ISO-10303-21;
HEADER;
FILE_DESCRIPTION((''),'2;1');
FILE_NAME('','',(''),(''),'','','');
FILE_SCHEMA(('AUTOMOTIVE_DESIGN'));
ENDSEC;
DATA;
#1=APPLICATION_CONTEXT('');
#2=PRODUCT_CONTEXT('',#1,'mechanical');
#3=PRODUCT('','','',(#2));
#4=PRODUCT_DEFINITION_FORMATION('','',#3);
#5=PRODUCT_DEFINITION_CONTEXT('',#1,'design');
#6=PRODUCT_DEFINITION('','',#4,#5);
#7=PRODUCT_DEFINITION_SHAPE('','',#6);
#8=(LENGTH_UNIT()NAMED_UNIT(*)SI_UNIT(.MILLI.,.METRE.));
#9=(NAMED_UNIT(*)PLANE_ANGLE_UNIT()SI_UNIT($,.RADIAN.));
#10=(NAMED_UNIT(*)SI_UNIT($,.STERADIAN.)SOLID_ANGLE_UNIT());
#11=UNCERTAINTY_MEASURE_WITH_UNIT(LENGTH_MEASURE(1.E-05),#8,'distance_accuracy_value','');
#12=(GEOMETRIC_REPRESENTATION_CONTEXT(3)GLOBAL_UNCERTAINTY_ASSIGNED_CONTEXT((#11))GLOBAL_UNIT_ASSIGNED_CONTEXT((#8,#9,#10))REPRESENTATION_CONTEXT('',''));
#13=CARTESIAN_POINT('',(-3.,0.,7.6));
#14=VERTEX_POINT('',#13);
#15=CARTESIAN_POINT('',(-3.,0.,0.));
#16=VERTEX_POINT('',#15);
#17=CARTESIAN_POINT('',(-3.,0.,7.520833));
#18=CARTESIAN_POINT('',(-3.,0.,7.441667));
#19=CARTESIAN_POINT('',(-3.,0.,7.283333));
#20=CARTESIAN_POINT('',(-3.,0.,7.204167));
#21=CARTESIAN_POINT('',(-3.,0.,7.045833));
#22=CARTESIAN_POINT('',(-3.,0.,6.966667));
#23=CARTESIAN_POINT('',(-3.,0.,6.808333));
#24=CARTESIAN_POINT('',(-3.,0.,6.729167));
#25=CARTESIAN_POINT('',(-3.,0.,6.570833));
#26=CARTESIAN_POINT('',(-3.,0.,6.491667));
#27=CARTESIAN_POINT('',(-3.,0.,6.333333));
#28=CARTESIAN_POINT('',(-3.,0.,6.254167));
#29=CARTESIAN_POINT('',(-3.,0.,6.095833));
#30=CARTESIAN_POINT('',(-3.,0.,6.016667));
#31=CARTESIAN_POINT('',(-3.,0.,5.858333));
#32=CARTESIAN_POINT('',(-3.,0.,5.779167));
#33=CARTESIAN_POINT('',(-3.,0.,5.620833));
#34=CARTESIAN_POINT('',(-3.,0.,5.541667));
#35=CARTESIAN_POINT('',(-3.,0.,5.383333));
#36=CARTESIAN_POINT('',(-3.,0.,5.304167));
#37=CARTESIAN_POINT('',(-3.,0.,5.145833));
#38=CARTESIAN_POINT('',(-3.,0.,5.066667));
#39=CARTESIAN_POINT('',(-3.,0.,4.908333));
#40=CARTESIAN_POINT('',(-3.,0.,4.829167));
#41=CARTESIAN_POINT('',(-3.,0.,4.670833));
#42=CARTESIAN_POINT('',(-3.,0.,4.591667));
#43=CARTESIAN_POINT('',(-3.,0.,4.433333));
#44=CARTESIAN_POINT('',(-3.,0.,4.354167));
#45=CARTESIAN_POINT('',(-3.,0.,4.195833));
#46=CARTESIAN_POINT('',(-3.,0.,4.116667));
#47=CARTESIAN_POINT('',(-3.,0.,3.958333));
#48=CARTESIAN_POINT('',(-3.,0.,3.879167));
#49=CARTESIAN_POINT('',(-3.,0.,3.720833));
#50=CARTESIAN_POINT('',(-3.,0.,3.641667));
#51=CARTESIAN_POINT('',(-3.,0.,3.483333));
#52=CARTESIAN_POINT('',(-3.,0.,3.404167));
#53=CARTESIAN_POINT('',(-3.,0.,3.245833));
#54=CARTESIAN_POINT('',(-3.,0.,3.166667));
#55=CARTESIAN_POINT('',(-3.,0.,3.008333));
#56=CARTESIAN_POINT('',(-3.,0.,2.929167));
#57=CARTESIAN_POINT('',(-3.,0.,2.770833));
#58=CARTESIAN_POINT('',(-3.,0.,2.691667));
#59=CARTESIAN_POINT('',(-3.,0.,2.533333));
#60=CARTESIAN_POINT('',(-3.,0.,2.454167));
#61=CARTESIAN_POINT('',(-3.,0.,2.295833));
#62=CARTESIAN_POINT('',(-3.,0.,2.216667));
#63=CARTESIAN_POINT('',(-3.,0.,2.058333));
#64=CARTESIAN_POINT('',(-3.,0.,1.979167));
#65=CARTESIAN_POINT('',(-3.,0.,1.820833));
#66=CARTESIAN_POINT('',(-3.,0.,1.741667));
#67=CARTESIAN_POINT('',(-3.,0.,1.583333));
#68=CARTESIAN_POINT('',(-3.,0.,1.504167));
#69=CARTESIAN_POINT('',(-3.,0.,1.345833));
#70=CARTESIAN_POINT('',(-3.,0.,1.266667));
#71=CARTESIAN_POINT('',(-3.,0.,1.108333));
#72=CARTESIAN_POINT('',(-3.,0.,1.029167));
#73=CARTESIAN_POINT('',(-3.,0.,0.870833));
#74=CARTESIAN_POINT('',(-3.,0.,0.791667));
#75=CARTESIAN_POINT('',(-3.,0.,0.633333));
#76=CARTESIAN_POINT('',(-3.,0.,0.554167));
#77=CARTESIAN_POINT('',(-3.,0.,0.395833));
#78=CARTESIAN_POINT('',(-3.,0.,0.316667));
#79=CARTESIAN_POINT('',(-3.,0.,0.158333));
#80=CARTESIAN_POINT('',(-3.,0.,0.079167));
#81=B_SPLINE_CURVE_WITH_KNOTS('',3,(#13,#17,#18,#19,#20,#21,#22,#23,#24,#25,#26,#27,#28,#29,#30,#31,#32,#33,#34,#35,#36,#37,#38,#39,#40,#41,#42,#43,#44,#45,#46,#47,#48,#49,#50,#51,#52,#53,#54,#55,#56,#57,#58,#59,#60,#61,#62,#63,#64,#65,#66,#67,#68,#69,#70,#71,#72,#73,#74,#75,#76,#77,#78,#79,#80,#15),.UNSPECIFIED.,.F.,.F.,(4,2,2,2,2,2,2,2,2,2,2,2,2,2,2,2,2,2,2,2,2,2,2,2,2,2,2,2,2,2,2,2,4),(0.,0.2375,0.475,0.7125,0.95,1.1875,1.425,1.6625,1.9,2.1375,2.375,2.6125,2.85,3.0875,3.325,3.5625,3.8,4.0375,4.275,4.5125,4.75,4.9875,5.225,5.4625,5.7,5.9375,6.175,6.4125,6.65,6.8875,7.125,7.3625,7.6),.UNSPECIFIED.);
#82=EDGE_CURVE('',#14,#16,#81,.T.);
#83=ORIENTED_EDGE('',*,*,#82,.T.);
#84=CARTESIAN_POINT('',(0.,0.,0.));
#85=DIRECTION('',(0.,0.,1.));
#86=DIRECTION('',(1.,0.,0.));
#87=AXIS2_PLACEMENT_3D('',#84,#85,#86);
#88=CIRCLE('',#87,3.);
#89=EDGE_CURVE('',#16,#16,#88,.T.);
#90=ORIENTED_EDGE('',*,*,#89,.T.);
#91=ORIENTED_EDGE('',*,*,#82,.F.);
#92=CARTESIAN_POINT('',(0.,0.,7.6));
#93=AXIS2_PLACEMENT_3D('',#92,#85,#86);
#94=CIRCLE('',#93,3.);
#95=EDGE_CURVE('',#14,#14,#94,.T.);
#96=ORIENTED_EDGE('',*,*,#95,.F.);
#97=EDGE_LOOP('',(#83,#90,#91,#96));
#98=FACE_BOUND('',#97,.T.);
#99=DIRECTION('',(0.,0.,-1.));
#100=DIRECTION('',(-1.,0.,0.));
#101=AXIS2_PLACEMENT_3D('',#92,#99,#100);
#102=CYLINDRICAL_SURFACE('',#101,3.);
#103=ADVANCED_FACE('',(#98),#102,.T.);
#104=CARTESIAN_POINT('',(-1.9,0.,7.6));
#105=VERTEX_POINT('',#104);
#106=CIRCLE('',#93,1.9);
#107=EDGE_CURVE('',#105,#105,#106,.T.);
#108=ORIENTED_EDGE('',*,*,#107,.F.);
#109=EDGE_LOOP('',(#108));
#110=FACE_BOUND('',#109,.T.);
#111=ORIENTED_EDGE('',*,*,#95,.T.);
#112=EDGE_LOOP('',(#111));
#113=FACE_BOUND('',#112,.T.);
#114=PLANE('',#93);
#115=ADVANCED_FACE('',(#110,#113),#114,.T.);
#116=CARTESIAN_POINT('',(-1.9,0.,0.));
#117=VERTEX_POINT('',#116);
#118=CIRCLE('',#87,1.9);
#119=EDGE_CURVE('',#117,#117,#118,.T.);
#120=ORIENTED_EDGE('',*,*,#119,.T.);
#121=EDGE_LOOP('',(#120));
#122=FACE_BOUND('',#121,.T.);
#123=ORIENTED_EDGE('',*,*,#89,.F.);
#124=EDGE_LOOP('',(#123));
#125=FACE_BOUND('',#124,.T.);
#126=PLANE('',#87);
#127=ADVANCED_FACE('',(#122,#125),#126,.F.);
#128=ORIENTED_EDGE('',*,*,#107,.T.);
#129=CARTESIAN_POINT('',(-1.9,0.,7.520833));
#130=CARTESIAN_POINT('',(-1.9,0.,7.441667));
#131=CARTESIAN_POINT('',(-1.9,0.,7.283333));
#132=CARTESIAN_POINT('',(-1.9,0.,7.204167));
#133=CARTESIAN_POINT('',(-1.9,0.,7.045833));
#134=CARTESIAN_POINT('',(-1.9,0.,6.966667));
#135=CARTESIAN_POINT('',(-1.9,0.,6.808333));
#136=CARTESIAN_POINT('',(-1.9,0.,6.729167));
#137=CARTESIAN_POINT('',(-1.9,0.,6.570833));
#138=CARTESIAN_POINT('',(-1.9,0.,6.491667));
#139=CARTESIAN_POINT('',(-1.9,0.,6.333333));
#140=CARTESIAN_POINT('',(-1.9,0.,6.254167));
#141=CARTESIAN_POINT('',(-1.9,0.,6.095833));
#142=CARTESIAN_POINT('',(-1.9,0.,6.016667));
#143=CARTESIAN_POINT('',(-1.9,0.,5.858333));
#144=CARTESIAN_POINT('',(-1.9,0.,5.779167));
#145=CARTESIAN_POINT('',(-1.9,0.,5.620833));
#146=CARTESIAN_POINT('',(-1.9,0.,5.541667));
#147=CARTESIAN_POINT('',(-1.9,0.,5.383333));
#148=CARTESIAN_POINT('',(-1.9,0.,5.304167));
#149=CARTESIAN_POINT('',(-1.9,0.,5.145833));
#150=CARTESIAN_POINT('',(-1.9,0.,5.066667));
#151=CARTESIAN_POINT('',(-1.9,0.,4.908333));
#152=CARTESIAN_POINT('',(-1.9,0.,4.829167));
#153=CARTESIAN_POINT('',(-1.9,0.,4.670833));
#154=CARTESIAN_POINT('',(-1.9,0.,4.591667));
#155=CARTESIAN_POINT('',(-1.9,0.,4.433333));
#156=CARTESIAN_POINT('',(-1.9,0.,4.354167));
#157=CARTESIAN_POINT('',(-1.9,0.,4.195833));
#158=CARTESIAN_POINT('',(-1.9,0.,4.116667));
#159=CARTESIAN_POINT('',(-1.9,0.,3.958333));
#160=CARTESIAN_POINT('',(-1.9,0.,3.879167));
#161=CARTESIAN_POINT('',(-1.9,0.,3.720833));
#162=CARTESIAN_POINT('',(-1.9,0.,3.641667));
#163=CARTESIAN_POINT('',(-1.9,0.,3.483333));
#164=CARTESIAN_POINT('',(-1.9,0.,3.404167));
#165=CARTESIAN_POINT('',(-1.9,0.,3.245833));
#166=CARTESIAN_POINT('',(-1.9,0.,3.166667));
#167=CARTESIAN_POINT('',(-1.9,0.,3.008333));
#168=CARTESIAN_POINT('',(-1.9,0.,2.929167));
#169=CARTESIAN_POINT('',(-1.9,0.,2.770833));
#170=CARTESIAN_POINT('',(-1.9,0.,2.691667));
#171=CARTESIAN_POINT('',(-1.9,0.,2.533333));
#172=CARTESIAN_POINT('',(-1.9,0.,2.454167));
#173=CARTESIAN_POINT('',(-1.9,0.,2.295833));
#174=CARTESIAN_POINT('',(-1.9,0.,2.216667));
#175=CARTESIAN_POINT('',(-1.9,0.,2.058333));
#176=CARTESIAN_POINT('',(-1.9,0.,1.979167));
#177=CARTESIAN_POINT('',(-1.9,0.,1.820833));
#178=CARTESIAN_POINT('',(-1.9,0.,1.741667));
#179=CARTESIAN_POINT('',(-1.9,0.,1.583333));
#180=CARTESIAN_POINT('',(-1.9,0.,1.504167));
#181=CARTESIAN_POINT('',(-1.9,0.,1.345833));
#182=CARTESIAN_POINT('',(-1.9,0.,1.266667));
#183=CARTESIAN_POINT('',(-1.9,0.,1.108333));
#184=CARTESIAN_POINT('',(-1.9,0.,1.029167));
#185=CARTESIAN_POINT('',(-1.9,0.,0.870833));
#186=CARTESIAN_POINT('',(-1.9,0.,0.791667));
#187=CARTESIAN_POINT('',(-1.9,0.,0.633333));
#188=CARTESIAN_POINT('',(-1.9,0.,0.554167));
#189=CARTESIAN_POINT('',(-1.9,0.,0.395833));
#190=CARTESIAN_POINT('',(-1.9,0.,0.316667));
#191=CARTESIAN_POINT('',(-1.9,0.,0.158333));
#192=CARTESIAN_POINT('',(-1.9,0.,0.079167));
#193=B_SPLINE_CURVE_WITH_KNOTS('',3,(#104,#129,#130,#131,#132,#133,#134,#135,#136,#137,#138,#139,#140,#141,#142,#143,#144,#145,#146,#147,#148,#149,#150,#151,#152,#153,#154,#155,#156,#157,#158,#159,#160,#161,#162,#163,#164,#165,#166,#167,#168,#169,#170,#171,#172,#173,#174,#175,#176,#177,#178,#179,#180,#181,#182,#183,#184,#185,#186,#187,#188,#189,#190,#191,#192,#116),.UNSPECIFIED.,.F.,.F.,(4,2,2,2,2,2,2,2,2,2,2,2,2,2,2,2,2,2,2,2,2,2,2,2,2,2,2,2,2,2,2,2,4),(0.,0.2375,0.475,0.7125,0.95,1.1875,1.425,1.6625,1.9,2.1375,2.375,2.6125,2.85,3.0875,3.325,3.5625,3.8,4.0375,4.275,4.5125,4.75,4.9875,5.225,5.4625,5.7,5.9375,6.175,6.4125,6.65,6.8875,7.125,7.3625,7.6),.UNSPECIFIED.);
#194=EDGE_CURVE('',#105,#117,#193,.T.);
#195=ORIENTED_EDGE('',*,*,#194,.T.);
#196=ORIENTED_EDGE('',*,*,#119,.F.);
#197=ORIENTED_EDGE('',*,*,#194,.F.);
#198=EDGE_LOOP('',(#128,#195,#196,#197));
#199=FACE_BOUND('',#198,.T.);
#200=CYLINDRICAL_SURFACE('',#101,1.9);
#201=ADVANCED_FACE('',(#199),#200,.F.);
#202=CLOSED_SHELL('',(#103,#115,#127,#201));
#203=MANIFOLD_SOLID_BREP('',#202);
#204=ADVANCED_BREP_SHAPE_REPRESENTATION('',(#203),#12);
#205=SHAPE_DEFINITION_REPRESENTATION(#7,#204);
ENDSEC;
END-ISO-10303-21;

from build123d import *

# Parameters (mm, degrees)
CROQUIS1_R              = 3
CROQUIS1_R_2            = 1.9
SALIENTE_EXTRUIR1_DEPTH = 7.6


with BuildPart() as part:
    # Croquis1 → Saliente-Extruir1 (new body)
    with BuildSketch(Plane.XY):
        with Locations(Location((0, 0, 0), (0, 0, 180))):
            Circle(CROQUIS1_R)
        with Locations(Location((0, 0, 0), (0, 0, 180))):
            Circle(CROQUIS1_R_2, mode=Mode.SUBTRACT)
    extrude(amount=SALIENTE_EXTRUIR1_DEPTH)


solid = part.part
